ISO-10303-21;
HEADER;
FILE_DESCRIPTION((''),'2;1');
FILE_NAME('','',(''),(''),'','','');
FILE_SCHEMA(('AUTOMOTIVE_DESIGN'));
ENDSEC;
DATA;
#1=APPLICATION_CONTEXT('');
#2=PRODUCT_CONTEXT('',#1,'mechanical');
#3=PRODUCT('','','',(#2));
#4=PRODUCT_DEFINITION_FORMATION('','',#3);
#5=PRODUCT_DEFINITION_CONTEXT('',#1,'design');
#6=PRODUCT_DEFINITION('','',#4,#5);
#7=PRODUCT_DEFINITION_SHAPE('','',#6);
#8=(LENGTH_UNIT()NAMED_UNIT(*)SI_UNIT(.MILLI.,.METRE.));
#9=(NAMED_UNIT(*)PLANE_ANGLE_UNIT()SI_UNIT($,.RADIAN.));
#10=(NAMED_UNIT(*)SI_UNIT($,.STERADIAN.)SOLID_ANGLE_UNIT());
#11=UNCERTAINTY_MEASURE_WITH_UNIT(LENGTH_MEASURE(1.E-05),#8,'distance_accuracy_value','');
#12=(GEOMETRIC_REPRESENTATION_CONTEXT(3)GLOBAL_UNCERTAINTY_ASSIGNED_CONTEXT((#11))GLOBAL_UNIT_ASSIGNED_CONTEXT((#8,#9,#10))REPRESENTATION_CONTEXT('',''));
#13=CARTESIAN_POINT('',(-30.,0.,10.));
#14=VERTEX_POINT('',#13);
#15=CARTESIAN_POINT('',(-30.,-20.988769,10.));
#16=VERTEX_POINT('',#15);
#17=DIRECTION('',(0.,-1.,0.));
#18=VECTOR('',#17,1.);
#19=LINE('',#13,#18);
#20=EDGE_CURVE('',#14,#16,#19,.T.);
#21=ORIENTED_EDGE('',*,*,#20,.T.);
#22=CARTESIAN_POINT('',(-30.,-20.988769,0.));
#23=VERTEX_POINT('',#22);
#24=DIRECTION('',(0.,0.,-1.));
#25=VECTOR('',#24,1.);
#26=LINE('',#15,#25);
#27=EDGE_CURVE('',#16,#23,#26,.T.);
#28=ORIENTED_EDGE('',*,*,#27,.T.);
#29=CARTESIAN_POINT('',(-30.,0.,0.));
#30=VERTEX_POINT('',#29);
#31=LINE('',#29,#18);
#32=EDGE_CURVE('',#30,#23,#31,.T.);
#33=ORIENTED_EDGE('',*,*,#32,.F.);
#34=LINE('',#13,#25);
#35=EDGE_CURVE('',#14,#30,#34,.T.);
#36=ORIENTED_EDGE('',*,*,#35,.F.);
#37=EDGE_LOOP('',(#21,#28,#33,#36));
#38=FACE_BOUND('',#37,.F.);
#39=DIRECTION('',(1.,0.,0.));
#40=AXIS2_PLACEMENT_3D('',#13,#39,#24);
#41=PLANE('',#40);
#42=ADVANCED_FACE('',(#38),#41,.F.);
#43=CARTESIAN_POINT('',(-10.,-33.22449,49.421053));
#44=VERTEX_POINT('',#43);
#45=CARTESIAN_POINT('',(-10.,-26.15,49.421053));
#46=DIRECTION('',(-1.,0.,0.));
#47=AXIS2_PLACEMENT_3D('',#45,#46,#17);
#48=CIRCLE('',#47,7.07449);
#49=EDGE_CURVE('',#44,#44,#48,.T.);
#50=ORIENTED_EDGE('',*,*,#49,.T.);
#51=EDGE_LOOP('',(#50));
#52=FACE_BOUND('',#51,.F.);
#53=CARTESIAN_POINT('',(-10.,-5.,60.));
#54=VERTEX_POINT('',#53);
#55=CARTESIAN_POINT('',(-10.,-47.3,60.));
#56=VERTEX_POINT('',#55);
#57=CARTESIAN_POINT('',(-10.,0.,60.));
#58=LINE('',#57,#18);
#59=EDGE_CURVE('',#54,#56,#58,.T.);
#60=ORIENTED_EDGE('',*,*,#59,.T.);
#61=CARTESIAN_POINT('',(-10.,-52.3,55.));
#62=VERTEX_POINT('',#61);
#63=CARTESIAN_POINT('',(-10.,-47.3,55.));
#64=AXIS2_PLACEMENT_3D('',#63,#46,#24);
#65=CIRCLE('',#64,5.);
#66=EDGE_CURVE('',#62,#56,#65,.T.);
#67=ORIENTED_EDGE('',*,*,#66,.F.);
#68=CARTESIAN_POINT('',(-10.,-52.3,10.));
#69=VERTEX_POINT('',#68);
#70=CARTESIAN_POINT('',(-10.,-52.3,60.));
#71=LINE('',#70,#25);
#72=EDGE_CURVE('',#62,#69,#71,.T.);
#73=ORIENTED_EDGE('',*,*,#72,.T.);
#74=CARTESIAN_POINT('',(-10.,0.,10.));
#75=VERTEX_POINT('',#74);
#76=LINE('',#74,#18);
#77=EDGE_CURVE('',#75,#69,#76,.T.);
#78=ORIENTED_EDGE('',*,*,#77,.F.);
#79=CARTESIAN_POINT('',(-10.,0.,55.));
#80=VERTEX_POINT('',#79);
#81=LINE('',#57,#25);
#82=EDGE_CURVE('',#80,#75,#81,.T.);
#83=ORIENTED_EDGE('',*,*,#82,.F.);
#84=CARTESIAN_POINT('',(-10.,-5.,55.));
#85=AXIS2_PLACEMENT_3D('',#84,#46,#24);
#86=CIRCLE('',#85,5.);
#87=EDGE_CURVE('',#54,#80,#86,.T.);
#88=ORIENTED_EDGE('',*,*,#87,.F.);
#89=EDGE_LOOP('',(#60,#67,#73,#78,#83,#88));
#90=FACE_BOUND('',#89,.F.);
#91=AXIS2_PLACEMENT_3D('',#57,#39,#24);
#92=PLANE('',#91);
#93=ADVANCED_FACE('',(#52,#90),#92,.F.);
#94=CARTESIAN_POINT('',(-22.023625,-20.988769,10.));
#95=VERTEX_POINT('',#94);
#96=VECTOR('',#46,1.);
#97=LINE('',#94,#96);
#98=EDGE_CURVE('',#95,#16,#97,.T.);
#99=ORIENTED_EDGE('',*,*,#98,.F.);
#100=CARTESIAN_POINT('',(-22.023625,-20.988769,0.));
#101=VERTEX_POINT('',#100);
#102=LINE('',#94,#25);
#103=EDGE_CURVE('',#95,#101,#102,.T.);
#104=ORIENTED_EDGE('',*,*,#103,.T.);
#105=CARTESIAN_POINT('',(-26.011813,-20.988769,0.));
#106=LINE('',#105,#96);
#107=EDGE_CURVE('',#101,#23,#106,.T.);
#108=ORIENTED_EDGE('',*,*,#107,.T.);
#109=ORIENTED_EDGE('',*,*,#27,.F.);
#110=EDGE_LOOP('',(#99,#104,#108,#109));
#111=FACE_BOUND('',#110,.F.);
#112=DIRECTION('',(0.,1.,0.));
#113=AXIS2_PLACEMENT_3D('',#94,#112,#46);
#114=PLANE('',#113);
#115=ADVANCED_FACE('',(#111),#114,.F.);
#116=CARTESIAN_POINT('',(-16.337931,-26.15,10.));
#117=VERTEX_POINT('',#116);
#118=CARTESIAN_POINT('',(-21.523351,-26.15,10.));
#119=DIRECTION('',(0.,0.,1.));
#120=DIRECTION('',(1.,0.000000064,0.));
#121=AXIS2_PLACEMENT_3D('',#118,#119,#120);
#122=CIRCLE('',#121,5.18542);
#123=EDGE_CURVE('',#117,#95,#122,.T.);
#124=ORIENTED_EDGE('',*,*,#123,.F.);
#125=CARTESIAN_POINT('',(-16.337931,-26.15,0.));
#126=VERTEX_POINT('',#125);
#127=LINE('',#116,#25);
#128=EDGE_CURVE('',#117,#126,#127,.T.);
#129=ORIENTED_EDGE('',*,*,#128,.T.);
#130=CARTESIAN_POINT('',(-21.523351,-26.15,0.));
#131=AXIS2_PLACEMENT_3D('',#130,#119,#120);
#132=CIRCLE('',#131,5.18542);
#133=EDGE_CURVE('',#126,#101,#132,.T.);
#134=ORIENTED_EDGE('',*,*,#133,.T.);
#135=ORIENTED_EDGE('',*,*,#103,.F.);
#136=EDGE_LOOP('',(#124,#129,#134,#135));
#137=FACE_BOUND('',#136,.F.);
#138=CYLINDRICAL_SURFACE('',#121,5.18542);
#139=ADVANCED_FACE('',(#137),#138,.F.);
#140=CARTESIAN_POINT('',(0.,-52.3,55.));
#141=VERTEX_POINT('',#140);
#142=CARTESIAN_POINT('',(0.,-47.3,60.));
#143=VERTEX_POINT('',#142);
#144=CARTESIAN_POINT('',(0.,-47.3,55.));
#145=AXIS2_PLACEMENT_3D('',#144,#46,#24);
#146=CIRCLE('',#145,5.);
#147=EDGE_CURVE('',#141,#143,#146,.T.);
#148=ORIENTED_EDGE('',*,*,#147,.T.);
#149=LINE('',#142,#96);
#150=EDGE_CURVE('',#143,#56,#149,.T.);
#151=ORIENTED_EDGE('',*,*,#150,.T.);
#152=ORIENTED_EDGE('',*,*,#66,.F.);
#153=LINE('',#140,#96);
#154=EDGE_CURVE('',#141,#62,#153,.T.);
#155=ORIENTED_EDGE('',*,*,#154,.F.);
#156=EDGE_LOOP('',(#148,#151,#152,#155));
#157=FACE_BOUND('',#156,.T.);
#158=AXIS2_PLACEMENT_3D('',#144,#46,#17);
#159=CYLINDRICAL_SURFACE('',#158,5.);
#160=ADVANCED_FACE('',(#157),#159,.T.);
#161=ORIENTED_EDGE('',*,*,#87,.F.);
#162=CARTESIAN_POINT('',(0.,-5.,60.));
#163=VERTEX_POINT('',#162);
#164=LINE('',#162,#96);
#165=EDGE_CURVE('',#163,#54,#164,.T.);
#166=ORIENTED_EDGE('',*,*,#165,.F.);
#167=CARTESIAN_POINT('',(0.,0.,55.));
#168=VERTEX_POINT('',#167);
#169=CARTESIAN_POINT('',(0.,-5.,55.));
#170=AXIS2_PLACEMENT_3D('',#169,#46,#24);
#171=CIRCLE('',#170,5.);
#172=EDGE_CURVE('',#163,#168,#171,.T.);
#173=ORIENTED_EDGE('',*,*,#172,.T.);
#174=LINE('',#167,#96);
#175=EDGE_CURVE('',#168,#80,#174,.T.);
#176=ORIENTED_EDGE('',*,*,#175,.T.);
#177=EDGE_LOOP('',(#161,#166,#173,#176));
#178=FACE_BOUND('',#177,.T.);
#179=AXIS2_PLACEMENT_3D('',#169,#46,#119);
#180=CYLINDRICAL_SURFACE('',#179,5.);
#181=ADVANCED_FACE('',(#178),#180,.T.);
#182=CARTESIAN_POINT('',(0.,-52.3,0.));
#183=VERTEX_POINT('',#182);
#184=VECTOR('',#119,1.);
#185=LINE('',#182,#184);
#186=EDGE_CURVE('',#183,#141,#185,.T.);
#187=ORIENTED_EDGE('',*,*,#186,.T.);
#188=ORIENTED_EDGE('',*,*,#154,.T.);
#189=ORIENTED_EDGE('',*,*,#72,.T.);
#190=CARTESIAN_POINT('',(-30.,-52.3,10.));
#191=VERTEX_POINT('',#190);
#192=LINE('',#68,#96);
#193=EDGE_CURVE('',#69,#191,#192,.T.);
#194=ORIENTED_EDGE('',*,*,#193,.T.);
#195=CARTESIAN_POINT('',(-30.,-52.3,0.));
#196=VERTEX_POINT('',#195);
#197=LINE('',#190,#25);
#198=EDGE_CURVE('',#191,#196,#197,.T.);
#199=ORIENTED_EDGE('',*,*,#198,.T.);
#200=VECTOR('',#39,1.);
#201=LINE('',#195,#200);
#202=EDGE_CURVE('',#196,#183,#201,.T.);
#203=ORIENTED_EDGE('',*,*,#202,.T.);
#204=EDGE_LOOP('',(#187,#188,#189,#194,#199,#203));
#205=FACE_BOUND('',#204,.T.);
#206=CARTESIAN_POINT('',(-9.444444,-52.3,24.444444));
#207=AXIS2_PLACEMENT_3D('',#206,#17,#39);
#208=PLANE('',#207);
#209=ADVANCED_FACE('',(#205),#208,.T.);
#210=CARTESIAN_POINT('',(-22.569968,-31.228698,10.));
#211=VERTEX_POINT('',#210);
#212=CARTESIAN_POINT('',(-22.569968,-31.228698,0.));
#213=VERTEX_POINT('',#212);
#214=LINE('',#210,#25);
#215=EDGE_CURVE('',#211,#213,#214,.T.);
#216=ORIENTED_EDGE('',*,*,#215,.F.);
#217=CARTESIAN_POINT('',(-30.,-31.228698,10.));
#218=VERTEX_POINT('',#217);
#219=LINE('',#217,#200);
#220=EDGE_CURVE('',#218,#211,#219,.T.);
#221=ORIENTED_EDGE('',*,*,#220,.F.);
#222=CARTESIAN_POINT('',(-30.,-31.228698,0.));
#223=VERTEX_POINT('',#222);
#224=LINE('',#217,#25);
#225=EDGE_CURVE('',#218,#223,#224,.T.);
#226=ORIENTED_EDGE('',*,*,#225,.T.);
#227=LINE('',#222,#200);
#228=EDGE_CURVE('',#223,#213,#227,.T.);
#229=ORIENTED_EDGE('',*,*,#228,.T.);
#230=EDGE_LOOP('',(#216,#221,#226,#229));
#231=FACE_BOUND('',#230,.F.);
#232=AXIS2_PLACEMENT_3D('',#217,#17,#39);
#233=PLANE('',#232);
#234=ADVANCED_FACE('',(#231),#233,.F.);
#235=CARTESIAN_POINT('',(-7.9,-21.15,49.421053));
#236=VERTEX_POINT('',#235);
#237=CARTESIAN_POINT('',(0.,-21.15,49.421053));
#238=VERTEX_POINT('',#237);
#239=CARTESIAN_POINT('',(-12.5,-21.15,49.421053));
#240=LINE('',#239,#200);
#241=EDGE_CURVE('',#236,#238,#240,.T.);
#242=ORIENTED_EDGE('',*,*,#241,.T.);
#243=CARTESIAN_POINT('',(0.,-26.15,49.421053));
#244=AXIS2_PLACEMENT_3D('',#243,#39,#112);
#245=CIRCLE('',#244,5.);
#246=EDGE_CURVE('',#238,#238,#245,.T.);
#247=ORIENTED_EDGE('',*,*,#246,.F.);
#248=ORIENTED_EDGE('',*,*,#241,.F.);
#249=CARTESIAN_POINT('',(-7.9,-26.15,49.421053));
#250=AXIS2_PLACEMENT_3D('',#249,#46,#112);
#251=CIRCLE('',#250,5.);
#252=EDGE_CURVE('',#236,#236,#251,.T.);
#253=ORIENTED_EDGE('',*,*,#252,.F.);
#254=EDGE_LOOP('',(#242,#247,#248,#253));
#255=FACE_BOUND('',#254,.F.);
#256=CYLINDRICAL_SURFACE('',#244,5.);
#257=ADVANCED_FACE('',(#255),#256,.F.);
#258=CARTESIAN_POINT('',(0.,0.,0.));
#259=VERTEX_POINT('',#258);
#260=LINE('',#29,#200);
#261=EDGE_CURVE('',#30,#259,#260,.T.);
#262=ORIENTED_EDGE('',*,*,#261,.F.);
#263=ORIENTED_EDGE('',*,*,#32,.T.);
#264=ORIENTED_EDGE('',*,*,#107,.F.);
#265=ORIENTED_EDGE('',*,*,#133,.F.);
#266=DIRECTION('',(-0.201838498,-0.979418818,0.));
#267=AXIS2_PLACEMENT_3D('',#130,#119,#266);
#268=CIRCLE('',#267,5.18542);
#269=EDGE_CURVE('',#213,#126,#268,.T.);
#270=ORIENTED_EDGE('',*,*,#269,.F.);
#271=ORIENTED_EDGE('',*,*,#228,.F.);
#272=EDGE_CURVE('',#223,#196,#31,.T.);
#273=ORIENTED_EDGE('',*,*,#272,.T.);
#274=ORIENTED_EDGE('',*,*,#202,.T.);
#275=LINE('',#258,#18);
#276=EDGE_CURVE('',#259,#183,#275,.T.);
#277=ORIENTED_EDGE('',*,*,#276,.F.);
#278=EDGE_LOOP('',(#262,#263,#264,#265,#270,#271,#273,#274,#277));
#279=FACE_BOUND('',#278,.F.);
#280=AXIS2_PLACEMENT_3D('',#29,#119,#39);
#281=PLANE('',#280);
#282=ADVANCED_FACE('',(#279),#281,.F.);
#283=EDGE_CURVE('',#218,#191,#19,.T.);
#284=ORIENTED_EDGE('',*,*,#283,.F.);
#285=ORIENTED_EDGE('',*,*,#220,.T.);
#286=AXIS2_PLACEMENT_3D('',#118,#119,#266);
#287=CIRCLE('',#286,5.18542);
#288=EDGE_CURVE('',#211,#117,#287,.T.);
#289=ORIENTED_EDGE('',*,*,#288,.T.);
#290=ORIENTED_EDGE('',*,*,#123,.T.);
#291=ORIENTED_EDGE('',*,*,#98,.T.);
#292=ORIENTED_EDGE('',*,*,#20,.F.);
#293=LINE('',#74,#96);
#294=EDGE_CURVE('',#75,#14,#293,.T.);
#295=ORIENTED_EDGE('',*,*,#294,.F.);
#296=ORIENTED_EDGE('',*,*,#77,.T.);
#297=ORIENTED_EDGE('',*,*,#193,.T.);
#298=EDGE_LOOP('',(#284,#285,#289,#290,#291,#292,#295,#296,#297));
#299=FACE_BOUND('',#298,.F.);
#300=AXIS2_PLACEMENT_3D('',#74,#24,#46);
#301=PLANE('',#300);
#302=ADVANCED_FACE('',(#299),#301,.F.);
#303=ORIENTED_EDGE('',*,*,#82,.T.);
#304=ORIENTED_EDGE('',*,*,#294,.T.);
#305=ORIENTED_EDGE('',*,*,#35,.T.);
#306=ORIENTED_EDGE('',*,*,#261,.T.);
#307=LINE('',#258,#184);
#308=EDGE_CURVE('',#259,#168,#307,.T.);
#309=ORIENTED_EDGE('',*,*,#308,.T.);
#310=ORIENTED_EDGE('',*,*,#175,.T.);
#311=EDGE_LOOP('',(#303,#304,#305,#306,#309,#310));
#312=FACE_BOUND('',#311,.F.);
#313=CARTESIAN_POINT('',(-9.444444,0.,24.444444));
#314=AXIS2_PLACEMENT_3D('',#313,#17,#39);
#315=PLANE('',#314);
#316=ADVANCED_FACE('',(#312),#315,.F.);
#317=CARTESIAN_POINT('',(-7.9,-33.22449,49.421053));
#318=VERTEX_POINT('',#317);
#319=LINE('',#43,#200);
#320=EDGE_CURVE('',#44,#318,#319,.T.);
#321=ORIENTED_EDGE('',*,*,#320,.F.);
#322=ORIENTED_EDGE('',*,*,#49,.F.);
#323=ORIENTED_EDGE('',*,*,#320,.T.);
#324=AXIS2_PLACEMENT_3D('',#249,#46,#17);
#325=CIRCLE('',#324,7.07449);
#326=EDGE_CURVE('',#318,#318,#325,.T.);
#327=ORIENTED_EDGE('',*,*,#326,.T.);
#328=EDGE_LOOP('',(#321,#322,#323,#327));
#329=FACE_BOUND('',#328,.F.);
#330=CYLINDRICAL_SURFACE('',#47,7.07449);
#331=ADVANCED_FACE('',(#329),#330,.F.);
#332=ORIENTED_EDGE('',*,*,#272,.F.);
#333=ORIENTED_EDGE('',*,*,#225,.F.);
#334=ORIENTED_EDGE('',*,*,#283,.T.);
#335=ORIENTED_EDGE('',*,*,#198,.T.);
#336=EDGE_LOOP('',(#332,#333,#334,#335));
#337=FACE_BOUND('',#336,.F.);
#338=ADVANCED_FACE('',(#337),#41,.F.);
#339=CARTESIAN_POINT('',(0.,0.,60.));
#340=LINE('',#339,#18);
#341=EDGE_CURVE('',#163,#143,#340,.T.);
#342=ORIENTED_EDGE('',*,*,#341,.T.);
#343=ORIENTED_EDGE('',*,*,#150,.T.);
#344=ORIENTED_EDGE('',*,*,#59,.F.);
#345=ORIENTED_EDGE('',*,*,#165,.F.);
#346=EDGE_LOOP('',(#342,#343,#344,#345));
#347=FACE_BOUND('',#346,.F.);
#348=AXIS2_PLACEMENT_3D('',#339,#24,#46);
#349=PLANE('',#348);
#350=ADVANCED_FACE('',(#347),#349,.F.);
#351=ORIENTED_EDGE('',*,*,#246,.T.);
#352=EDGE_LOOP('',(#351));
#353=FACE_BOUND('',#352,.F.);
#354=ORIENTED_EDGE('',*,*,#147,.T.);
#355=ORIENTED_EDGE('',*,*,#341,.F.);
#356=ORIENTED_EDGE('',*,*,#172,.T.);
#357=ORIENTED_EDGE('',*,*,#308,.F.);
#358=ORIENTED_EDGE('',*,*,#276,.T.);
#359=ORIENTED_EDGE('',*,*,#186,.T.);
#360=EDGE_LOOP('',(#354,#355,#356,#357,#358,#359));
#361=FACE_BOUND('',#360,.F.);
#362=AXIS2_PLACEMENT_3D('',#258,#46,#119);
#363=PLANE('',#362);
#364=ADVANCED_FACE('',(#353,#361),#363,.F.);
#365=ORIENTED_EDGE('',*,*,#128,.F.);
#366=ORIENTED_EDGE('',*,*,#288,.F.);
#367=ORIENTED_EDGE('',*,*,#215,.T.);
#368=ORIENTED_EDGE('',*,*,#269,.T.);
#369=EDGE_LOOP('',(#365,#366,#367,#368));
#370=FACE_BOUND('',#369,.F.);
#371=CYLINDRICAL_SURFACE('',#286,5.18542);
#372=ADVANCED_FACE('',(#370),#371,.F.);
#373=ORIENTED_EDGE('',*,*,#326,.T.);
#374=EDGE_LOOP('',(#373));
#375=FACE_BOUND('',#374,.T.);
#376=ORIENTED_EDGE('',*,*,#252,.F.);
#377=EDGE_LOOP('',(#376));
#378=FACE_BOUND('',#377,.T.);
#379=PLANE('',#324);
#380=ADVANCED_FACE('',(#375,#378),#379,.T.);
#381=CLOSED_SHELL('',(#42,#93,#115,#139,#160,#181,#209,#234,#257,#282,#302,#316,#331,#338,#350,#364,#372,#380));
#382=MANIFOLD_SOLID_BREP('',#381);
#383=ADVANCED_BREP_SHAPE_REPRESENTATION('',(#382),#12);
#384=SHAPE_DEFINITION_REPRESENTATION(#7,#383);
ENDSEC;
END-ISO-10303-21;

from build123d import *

# Parameters (mm, degrees)
F1_DEPTH  = 52.3
F2_R      = 5
F3_DEPTH  = 12.5
F4_R      = 5
F5_R      = 5
F6_R      = 7.07449
F6_R_2    = 5
F8_DEPTH  = 2.1
F10_DEPTH = 25


with BuildPart() as f1:
    # F0 (on Front) → F1 (new body)
    with BuildSketch(Plane.XZ):
        Polygon((0, 0), (0, 60), (-10, 60), (-10, 10), (-30, 10), (-30, 0), align=None)
    extrude(amount=F1_DEPTH)

    # F2 (on face) → F3 (cut, symmetric)
    with BuildSketch(Plane.YZ):
        with Locations((-26.15, 49.421053)):
            Circle(F2_R)
    extrude(amount=F3_DEPTH, both=True, mode=Mode.SUBTRACT)

    # F4
    f4_edges = [f1.edges().sort_by_distance(p)[0] for p in [
        (-5, -52.3, 60),
    ]]
    fillet(f4_edges, radius=F4_R)

    # F5
    f5_edges = [f1.edges().sort_by_distance(p)[0] for p in [
        (-5, 0, 60),
    ]]
    fillet(f5_edges, radius=F5_R)

    # F6 (on face) → F8 (cut)
    with BuildSketch(Plane(origin=(-10, 0, 0), x_dir=(0, -1, 0), z_dir=(-1, 0, 0))):
        with Locations((26.15, 49.421053)):
            Circle(F6_R)
        with Locations((26.15, 49.421053)):
            Circle(F6_R_2, mode=Mode.SUBTRACT)
    extrude(amount=-F8_DEPTH, mode=Mode.SUBTRACT)

    # F9 (on face) → F10 (cut)
    with BuildSketch(Plane.XY.offset(10)):
        with BuildLine():
            ThreePointArc((-22.569968, -31.228698), (-18.247574, -30.169685), (-16.337931, -26.15))
            ThreePointArc((-16.337931, -26.15), (-18.038064, -22.310553), (-22.023625, -20.988769))
            ThreePointArc((-22.023625, -20.988769), (-26.701406, -25.873729), (-22.569968, -31.228698))
        make_face()
        with BuildLine():
            ThreePointArc((-22.569968, -31.228698), (-26.701406, -25.873729), (-22.023625, -20.988769))
            Line((-22.023625, -20.988769), (-30, -20.988769))
            Line((-30, -20.988769), (-30, -31.228698))
            Line((-30, -31.228698), (-22.569968, -31.228698))
        make_face()
    extrude(amount=-F10_DEPTH, mode=Mode.SUBTRACT)


solid = f1.part
